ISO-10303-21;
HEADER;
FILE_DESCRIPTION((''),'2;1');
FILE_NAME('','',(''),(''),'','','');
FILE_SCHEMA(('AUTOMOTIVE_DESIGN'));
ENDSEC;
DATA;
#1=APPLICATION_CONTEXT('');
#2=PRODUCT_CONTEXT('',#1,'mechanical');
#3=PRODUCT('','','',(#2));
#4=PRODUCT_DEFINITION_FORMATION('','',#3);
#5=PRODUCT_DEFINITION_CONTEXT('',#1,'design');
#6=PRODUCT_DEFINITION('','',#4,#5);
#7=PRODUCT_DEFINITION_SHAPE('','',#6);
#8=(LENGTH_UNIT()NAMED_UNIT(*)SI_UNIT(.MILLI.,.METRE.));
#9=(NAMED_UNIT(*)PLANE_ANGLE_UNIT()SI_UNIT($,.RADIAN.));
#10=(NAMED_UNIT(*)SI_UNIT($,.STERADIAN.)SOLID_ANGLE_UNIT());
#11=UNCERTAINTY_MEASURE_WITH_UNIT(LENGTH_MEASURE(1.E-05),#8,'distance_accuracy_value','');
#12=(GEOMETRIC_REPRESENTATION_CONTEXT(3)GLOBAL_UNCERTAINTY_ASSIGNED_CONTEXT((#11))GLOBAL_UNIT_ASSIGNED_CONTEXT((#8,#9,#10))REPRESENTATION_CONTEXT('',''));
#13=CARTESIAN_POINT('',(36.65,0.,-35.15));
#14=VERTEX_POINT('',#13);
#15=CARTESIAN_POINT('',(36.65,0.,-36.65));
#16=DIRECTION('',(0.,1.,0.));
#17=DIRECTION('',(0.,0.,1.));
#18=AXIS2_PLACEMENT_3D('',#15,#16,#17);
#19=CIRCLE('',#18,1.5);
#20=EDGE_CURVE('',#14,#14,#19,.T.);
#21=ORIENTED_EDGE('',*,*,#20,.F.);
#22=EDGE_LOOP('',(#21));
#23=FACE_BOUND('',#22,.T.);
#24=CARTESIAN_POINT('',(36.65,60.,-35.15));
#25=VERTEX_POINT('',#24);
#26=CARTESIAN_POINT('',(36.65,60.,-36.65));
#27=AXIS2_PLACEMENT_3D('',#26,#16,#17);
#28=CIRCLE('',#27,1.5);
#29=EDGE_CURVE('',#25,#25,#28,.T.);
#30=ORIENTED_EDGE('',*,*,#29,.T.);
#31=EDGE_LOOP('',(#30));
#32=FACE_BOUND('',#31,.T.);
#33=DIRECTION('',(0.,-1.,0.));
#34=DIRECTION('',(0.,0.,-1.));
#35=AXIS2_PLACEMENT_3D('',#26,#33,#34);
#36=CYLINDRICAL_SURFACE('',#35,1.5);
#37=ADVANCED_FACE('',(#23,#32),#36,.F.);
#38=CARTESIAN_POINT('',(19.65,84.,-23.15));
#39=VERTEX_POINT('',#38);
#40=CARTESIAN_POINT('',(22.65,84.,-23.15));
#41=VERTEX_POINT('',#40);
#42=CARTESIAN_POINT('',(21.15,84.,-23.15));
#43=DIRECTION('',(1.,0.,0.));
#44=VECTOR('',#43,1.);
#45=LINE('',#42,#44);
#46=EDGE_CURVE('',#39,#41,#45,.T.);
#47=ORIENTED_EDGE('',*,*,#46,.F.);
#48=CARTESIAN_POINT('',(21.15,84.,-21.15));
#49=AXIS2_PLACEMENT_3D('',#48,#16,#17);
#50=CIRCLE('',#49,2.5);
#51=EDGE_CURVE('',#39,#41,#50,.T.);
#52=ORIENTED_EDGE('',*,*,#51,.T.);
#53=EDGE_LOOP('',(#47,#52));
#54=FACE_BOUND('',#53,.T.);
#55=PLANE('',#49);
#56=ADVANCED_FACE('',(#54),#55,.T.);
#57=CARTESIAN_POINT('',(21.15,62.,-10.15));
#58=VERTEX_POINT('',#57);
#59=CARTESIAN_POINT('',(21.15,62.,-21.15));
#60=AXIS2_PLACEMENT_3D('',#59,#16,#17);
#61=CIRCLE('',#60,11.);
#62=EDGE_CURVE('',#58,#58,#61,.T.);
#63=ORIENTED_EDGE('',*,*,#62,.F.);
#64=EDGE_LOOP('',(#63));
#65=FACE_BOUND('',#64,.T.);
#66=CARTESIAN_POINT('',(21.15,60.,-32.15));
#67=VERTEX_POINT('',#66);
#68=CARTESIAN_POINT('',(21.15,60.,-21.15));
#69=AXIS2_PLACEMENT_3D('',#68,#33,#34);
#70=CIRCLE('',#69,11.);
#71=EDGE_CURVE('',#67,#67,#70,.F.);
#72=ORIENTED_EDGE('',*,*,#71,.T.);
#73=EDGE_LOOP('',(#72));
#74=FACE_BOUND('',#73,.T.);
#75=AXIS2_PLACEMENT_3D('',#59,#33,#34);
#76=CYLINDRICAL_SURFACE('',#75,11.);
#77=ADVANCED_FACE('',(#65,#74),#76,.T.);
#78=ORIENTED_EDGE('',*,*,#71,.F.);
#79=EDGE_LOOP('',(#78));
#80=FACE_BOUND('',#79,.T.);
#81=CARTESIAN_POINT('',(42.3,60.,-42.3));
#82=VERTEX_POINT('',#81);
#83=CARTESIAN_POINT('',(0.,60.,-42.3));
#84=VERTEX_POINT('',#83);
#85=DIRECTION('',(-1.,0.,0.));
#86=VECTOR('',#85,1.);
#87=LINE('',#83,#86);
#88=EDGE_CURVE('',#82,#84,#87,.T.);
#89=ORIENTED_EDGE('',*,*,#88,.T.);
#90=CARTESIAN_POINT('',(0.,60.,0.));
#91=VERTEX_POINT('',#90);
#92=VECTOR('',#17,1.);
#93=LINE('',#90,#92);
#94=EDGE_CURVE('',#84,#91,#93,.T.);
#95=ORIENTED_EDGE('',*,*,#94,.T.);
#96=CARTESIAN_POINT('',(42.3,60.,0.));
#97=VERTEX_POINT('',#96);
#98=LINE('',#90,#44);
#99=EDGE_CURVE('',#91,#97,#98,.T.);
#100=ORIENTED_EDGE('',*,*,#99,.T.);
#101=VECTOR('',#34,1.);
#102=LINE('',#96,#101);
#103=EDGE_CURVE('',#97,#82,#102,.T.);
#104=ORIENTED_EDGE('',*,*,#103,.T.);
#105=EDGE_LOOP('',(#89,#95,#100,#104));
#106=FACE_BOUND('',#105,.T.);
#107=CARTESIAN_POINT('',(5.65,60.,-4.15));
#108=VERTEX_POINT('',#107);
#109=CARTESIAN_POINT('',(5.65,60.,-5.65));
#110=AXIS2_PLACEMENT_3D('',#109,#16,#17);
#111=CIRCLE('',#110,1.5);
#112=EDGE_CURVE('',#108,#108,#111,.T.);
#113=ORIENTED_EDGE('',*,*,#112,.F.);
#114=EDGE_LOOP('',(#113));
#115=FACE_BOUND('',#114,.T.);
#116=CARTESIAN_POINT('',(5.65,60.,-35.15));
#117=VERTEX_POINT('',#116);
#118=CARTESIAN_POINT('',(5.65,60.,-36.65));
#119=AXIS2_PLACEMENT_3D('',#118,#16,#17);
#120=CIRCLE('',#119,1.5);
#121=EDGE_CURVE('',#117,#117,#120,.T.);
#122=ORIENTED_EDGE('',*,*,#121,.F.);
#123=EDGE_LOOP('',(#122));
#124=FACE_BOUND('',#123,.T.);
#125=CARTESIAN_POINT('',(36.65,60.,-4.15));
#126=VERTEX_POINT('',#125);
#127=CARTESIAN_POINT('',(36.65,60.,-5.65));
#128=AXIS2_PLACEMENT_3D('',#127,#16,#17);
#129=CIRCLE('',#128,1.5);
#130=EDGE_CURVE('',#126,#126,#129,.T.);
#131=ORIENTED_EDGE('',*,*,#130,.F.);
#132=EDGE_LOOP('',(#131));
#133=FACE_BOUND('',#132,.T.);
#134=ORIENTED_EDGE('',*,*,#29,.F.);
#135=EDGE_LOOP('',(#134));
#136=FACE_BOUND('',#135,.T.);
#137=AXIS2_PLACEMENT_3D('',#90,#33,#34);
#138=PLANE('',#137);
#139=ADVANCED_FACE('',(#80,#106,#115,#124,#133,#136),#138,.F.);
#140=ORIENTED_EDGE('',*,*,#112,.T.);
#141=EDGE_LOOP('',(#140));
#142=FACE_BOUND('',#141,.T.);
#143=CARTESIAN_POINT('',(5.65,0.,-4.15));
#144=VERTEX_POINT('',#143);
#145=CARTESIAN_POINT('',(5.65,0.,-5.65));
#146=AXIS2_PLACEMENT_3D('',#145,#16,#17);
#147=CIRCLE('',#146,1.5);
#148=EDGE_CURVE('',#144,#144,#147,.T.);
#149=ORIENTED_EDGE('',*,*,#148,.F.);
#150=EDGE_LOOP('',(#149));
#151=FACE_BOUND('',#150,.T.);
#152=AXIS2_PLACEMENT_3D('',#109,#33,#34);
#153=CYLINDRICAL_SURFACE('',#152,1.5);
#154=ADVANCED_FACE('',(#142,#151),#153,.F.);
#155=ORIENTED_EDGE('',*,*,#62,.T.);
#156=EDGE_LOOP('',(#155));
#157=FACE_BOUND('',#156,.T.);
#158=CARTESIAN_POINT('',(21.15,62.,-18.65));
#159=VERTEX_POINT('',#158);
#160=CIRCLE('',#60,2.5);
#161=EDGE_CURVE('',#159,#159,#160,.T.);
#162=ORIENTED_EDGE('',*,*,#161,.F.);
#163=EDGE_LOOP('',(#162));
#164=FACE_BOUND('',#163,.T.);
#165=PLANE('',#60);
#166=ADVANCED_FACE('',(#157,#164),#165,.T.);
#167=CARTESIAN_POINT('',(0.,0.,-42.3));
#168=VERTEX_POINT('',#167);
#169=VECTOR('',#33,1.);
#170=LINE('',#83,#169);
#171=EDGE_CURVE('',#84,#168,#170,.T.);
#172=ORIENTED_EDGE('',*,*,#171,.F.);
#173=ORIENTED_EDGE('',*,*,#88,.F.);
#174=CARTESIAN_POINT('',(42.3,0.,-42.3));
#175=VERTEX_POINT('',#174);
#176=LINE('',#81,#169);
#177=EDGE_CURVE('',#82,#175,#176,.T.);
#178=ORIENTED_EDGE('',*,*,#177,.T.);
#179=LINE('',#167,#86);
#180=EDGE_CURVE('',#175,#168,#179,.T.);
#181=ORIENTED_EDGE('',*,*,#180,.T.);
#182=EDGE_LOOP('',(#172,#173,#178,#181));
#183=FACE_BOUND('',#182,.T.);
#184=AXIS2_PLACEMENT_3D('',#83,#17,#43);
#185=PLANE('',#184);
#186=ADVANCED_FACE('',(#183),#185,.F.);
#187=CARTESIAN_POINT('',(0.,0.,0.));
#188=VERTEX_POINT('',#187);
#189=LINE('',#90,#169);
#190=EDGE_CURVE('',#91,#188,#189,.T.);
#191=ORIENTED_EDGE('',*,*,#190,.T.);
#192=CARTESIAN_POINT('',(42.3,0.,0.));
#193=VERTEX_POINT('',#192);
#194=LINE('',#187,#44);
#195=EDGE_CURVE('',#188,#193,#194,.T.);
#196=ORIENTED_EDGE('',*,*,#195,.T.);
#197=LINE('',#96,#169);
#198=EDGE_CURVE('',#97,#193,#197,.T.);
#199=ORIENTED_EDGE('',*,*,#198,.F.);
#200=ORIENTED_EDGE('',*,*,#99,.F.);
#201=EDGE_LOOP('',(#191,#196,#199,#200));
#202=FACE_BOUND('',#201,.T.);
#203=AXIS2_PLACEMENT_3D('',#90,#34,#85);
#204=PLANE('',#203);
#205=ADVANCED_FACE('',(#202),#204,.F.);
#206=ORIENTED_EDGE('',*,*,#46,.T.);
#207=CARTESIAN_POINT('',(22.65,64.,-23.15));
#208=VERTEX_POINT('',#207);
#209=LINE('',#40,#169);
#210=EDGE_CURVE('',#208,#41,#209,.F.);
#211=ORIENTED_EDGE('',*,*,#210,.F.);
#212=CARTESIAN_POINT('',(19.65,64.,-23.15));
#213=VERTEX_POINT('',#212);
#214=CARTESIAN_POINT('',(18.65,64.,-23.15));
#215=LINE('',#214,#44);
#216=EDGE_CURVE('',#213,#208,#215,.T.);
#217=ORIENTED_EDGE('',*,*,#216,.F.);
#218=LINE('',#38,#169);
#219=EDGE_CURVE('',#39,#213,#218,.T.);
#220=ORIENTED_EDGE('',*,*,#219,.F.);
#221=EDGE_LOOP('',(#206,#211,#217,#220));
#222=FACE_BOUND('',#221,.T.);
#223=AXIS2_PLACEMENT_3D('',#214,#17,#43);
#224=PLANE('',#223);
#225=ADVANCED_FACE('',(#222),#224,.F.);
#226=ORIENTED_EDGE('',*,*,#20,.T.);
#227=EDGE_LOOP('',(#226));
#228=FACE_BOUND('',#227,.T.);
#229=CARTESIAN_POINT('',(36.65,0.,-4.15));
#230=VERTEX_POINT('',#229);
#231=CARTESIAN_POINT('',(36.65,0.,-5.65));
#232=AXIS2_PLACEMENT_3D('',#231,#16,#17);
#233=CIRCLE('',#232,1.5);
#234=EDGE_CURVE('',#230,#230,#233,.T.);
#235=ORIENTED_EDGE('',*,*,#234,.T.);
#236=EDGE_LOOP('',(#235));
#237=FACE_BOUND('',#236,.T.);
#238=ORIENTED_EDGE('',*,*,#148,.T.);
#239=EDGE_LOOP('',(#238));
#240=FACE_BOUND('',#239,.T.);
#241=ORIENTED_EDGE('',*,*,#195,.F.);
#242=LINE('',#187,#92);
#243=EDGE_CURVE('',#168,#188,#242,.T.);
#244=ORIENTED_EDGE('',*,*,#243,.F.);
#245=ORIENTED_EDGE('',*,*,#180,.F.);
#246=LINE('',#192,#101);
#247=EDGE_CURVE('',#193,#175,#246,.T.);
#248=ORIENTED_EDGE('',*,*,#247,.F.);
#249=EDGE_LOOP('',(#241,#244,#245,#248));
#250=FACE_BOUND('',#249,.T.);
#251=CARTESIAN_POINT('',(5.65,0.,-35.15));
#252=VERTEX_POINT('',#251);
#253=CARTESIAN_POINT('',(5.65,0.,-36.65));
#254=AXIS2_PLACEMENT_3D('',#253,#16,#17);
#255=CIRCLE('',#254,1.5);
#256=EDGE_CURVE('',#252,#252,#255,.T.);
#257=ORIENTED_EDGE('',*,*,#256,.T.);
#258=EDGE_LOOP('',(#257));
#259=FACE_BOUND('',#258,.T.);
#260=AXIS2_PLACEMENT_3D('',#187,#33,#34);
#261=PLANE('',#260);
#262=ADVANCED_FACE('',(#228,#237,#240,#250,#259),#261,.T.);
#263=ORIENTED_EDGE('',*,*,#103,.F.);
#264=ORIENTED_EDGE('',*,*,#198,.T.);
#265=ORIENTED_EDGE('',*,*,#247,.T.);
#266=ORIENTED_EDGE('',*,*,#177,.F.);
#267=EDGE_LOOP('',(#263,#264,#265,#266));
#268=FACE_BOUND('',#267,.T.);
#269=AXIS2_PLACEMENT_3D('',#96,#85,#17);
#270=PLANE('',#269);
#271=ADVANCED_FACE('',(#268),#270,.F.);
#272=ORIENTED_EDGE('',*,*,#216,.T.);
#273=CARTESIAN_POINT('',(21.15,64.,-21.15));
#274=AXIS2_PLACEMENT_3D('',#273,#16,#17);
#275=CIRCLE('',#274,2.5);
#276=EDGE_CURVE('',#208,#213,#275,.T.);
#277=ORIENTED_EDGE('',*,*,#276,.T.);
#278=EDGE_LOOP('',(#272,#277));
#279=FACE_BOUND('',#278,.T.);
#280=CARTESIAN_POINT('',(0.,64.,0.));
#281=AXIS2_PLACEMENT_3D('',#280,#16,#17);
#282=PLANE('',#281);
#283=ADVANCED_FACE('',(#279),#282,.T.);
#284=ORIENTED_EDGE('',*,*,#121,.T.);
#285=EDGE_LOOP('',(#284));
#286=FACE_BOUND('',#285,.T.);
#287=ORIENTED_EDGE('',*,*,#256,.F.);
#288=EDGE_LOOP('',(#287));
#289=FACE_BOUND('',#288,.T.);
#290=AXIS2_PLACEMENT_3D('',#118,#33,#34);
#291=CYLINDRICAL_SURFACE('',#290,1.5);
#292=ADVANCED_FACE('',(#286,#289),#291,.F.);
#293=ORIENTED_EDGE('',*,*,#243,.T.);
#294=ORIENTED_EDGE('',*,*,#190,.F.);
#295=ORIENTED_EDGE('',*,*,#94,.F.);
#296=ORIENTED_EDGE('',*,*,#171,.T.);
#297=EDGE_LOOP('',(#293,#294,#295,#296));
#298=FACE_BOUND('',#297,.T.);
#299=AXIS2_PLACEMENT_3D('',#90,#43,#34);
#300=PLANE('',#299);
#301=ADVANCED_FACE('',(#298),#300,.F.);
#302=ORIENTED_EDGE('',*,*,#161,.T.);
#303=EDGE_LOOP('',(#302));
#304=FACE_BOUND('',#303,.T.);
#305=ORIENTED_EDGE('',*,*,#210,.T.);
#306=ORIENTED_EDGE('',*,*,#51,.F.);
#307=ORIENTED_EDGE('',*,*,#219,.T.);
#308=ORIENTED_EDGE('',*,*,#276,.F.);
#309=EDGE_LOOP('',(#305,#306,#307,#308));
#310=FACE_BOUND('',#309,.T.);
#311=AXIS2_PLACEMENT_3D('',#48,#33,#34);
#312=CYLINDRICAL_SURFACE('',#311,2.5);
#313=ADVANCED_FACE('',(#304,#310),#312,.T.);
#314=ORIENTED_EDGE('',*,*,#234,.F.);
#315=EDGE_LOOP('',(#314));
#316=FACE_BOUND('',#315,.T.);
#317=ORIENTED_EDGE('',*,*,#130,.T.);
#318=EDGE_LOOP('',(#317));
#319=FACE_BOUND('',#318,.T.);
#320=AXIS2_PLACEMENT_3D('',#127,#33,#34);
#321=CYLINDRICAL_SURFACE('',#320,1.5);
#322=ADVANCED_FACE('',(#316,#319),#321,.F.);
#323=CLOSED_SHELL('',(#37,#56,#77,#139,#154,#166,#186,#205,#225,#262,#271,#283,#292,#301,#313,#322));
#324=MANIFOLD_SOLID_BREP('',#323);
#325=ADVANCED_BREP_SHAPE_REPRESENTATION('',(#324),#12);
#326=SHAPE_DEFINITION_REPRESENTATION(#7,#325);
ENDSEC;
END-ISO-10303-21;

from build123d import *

# Parameters (mm, degrees)
SKETCH_1_W          = 42.3
SKETCH_1_H          = 42.3
SKETCH_1_R          = 1.5
EXTRUDE_1_DEPTH     = 60
SKETCH_2_R          = 11
EXTRUDE_2_DEPTH     = 2
SKETCH_3_R          = 2.5
EXTRUDE_3_DEPTH     = 22
SKETCH_4_W          = 5
SKETCH_4_H          = 0.5
CUT_EXTRUDE_1_DEPTH = 20


with BuildPart() as part:
    # Эскиз1 → Бобышка-Вытянуть1 (new body)
    with BuildSketch(Plane(origin=(0, 0, 0), x_dir=(1, 0, 0), z_dir=(0, 1, 0))):
        with Locations((21.15, 21.15)):
            Rectangle(SKETCH_1_W, SKETCH_1_H)
        with Locations(Location((5.65, 36.65, 0), (0, 0, 270))):
            Circle(SKETCH_1_R, mode=Mode.SUBTRACT)
        with Locations(Location((36.65, 36.65, 0), (0, 0, 270))):
            Circle(SKETCH_1_R, mode=Mode.SUBTRACT)
        with Locations(Location((36.65, 5.65, 0), (0, 0, 270))):
            Circle(SKETCH_1_R, mode=Mode.SUBTRACT)
        with Locations(Location((5.65, 5.65, 0), (0, 0, 270))):
            Circle(SKETCH_1_R, mode=Mode.SUBTRACT)
    extrude(amount=EXTRUDE_1_DEPTH)

    # Эскиз2 → Бобышка-Вытянуть2 (add)
    with BuildSketch(Plane(origin=(0, 60, 0), x_dir=(1, 0, 0), z_dir=(0, 1, 0))):
        with Locations(Location((21.15, 21.15, 0), (0, 0, 90))):
            Circle(SKETCH_2_R)
    extrude(amount=EXTRUDE_2_DEPTH)

    # Эскиз3 → Бобышка-Вытянуть3 (add)
    with BuildSketch(Plane(origin=(0, 62, 0), x_dir=(1, 0, 0), z_dir=(0, 1, 0))):
        with Locations(Location((21.15, 21.15, 0), (0, 0, 270))):
            Circle(SKETCH_3_R)
    extrude(amount=EXTRUDE_3_DEPTH)

    # Эскиз4 → Вырез-Вытянуть1 (cut)
    with BuildSketch(Plane(origin=(0, 84, 0), x_dir=(1, 0, 0), z_dir=(0, 1, 0))):
        with Locations((21.15, 23.4)):
            Rectangle(SKETCH_4_W, SKETCH_4_H)
    extrude(amount=-CUT_EXTRUDE_1_DEPTH, mode=Mode.SUBTRACT)


solid = part.part
